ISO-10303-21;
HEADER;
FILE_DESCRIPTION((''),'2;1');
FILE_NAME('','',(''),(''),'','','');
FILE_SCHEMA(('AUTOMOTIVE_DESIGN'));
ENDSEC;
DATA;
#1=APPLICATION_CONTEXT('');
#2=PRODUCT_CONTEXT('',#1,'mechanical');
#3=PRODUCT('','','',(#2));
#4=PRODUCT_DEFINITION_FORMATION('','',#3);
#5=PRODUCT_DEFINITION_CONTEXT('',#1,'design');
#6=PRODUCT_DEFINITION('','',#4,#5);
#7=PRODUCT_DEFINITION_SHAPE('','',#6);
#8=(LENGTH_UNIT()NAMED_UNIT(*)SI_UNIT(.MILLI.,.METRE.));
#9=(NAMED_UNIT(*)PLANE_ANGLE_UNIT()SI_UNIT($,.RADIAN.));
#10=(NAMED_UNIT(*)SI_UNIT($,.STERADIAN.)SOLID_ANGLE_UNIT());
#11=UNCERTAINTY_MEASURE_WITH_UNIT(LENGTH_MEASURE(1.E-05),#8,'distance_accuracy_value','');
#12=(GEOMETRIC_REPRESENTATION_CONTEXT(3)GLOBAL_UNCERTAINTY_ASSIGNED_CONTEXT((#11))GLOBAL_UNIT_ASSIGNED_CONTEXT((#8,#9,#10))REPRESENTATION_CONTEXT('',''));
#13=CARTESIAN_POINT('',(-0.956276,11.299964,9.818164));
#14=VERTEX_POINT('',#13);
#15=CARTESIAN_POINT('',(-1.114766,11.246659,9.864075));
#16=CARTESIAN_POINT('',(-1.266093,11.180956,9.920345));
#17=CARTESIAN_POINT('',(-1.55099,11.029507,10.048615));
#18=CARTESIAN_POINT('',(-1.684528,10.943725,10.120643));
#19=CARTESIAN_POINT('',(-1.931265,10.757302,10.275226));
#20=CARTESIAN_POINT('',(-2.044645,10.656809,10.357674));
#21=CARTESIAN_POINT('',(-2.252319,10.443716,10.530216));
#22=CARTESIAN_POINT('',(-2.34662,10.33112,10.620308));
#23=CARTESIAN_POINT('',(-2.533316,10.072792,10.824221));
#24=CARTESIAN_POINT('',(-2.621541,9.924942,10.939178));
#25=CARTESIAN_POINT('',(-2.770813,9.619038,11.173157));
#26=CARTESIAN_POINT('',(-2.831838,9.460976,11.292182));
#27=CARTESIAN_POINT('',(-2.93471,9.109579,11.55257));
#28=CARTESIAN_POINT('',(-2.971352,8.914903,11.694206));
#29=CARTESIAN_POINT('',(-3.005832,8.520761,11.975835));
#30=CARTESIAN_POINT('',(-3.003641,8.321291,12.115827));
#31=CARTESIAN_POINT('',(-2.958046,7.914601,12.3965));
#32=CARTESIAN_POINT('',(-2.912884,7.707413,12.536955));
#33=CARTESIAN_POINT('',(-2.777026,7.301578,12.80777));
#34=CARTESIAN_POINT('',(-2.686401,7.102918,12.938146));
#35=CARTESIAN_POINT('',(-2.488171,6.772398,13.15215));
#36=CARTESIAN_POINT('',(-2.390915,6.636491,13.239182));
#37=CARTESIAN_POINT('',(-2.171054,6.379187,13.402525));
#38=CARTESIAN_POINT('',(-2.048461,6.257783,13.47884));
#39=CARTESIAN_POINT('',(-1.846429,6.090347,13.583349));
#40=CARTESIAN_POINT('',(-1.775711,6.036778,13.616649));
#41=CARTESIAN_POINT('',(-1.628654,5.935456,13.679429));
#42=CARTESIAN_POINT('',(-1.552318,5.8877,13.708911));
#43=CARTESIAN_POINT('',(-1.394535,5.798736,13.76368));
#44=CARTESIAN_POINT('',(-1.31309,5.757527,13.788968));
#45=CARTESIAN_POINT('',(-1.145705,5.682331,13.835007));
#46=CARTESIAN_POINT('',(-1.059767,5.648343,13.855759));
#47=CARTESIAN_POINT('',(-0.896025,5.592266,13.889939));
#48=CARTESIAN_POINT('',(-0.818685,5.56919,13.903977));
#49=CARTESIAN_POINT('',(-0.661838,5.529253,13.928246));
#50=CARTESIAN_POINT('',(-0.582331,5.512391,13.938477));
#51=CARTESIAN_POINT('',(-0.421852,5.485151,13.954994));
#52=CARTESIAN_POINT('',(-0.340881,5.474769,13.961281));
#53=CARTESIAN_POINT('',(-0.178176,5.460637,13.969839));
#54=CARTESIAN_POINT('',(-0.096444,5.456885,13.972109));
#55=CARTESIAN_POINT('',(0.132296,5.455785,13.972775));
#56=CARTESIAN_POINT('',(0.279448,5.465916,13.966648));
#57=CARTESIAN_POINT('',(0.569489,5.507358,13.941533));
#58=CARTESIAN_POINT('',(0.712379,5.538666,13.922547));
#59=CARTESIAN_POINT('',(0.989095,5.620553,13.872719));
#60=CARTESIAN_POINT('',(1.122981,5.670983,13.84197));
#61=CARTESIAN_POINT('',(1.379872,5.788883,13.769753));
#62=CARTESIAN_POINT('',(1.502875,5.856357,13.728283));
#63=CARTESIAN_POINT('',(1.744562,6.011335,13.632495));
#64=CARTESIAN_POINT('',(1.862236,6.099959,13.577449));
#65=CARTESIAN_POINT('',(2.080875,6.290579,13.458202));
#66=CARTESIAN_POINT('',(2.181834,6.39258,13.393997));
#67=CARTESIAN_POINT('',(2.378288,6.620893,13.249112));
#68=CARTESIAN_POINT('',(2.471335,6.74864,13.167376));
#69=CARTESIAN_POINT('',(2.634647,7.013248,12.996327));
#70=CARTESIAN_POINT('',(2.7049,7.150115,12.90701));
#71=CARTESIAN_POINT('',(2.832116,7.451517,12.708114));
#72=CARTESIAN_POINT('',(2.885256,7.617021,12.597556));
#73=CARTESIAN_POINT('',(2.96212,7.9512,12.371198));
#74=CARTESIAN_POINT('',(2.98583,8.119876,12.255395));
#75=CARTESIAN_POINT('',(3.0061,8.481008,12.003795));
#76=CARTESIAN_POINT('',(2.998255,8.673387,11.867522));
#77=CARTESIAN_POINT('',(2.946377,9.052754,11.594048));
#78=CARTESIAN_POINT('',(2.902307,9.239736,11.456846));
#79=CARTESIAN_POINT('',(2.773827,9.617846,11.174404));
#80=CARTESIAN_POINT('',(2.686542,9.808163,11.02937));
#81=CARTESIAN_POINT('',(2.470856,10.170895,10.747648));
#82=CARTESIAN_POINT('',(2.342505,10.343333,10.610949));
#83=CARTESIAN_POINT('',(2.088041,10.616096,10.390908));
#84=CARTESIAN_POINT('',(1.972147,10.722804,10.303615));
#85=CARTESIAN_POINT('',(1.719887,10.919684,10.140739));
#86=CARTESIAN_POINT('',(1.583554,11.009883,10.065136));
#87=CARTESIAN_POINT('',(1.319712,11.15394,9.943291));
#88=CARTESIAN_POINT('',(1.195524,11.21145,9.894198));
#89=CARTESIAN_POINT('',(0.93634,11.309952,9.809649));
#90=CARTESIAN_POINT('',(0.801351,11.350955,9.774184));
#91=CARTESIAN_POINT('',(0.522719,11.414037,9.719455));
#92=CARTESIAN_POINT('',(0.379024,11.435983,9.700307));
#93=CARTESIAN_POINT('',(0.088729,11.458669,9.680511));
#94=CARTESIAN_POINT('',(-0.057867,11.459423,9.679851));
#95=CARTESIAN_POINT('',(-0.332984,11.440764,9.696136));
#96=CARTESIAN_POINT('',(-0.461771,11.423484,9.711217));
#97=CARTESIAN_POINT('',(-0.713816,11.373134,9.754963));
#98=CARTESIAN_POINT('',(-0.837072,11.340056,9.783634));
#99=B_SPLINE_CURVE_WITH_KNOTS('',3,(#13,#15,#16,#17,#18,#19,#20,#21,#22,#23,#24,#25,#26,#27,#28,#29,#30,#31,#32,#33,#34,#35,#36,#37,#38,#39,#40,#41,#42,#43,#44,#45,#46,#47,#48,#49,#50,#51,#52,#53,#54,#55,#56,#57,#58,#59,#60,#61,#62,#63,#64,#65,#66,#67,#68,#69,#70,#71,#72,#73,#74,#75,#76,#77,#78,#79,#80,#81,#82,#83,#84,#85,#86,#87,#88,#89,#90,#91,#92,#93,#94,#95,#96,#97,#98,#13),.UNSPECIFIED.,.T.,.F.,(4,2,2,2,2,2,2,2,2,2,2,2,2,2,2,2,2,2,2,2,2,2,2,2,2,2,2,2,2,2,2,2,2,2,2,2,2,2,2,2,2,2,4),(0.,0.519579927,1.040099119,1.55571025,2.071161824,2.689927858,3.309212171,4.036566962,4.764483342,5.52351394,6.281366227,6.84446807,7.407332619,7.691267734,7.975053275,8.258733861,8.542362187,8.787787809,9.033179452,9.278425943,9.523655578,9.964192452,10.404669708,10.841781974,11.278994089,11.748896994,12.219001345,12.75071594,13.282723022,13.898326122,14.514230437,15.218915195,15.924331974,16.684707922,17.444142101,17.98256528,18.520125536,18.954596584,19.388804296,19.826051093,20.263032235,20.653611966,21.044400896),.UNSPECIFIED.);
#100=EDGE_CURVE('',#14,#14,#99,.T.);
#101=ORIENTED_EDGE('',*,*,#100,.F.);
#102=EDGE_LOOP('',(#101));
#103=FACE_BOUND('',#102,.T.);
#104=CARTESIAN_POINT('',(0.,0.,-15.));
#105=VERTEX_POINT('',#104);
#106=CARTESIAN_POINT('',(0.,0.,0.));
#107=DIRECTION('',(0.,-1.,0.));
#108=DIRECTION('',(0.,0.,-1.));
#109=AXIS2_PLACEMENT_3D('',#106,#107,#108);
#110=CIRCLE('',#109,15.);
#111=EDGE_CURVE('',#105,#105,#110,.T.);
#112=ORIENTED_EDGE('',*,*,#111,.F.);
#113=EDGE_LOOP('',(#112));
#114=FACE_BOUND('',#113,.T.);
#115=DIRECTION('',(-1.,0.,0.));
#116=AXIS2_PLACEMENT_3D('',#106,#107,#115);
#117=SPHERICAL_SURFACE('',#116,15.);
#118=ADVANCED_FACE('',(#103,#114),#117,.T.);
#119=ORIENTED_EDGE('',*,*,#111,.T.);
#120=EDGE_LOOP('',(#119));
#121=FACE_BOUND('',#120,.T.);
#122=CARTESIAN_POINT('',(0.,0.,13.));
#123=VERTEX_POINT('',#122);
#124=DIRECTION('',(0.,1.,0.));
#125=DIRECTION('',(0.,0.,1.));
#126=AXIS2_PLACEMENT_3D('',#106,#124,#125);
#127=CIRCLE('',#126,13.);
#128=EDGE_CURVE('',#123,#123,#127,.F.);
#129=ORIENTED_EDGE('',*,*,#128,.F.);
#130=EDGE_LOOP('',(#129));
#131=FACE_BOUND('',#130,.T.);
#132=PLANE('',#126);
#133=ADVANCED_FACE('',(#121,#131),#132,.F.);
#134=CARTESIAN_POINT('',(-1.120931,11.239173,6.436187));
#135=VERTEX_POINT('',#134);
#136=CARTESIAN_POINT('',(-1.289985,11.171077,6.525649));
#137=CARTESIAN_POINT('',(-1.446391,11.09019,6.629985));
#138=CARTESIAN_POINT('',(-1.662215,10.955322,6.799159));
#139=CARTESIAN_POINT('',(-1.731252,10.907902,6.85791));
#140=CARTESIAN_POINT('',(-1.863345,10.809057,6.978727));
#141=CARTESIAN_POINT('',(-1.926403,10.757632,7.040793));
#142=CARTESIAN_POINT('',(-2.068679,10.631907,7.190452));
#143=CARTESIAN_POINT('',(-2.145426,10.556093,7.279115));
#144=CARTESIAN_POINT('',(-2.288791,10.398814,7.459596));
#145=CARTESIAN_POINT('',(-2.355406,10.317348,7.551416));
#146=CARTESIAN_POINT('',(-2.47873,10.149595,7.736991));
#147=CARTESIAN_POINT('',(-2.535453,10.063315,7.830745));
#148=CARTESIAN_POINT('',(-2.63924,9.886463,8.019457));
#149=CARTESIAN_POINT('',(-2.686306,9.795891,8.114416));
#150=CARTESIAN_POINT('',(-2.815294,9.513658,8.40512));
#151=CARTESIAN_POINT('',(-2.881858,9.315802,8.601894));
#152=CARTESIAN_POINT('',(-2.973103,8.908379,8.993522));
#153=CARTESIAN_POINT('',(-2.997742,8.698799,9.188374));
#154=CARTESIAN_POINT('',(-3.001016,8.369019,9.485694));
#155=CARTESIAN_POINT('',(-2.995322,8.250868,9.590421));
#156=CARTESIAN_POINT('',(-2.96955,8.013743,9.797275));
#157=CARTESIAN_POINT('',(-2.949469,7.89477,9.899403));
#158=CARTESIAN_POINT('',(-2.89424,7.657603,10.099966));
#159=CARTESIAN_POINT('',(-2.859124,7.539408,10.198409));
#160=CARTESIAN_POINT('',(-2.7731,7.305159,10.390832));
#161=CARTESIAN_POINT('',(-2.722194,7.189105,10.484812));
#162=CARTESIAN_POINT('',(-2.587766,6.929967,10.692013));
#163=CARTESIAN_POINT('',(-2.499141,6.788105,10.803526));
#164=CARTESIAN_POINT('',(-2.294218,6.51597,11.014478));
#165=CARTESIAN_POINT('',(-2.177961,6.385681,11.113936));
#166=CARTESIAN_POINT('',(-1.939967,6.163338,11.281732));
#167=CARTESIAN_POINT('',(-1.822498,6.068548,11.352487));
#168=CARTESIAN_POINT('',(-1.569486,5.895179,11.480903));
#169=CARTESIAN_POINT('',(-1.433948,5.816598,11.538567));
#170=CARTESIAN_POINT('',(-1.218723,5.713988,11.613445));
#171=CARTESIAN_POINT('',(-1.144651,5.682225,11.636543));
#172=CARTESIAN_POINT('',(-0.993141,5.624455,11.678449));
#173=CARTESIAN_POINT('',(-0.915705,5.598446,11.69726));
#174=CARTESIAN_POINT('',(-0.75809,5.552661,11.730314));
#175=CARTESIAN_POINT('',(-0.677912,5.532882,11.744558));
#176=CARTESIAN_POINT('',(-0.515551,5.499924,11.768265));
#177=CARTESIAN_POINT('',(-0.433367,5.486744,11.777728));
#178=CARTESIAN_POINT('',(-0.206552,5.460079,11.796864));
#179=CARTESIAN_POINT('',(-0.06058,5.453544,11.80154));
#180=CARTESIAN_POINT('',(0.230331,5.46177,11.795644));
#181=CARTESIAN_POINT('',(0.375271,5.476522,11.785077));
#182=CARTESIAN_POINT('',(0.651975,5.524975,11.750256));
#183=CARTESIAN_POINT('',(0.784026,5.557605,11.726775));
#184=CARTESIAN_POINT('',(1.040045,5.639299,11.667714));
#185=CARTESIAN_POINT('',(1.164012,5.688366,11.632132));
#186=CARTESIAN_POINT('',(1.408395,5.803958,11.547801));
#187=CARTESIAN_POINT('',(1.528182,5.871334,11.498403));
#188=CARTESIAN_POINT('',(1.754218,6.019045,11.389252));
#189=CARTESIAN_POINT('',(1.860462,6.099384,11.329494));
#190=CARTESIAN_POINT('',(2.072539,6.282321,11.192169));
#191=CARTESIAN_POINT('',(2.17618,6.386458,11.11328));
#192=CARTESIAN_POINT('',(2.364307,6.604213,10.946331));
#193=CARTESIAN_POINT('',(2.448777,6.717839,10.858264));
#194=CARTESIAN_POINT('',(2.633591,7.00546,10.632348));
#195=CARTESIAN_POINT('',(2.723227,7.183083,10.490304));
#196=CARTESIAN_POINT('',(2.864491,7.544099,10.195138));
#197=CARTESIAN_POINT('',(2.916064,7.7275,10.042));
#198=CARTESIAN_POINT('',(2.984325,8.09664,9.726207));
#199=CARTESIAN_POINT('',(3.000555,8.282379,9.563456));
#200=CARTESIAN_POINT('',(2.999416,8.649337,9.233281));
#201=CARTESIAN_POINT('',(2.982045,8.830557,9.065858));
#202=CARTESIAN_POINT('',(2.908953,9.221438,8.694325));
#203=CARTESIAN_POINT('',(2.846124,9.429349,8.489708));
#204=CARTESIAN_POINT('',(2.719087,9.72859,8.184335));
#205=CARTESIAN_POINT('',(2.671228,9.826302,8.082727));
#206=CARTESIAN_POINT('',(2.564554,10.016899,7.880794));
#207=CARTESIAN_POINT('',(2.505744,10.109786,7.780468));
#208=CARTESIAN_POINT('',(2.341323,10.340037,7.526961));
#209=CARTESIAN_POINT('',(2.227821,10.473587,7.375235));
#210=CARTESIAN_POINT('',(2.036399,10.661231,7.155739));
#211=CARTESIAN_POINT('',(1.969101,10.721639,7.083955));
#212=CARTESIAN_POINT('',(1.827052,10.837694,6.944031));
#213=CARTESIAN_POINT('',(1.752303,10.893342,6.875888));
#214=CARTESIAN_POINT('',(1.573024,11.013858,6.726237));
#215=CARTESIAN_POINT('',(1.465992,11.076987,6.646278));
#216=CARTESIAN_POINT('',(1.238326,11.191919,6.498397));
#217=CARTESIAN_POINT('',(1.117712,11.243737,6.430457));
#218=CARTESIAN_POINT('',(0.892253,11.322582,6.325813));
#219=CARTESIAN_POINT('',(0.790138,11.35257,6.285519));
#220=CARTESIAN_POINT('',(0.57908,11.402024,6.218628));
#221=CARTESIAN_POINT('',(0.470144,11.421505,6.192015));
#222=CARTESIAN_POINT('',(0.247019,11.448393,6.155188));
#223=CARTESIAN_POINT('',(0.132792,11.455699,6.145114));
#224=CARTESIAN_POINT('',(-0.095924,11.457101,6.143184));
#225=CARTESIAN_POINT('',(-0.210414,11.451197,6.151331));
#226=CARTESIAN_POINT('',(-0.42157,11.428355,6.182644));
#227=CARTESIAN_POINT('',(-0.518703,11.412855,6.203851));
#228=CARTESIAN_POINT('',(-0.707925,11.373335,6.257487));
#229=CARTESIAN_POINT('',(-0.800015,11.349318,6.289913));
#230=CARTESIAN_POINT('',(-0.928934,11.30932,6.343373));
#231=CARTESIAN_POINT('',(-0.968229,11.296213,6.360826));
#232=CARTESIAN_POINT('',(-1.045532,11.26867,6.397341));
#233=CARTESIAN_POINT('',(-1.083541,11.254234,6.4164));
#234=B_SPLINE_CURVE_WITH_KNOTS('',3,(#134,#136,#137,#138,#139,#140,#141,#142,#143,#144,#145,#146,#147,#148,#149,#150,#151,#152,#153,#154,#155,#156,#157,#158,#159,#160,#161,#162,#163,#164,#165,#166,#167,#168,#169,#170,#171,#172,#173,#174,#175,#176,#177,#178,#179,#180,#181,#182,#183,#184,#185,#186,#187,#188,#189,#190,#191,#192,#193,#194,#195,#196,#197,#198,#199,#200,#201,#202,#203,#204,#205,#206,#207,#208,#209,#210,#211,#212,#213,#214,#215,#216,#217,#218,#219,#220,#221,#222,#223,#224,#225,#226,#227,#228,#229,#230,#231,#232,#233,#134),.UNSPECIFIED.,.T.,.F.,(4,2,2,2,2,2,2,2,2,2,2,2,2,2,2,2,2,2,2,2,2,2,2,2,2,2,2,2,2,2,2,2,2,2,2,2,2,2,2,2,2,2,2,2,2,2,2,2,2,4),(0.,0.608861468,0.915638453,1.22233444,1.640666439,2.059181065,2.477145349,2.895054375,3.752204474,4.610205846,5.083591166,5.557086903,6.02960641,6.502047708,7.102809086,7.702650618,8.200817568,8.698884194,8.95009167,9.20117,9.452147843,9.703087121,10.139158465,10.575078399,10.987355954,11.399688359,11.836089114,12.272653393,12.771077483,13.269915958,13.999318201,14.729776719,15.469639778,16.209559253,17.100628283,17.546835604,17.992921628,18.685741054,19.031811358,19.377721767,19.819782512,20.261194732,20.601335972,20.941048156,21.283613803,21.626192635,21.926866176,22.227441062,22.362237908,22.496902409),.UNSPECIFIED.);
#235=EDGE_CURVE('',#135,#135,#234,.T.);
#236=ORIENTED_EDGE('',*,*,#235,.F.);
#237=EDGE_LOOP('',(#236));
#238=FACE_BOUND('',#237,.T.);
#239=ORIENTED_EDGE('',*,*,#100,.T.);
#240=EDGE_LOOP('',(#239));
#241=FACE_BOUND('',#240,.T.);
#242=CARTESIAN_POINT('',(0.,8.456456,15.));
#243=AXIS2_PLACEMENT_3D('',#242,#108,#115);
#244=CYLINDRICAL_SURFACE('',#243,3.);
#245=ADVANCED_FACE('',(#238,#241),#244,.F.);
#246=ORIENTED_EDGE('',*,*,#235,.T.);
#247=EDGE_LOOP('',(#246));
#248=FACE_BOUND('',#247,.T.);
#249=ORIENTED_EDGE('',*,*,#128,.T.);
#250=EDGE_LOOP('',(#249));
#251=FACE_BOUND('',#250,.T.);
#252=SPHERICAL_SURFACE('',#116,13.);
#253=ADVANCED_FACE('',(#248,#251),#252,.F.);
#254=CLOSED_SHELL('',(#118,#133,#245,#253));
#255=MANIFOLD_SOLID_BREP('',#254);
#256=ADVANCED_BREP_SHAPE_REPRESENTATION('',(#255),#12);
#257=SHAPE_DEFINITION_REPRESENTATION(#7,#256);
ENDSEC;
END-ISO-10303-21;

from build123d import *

# Parameters (mm, degrees)
VACIADO2_T            = -2
CROQUIS2_R            = 3
CORTAR_EXTRUIR1_DEPTH = 26.980762114


with BuildPart() as part:
    # Croquis1 → Revolución1 (revolve)
    with BuildSketch(Plane.XY):
        with BuildLine():
            Line((0, 0), (0, 15))
            ThreePointArc((0, 15), (-10.606601718, 10.606601718), (-15, 0))
            Line((-15, 0), (0, 0))
        make_face()
    revolve(axis=Axis((0, 0, 0), (0, 1, 0)))

    # Vaciado2
    vaciado2_openings = [part.faces().sort_by_distance(p)[0] for p in [
        (0, 0, 0),
    ]]
    offset(amount=VACIADO2_T, openings=vaciado2_openings, kind=Kind.INTERSECTION)

    # Croquis2 → Cortar-Extruir1 (cut, through all)
    with BuildSketch(Plane.XY):
        with Locations(Location((0, 8.456456299, 0), (0, 0, 111.940512479))):
            Circle(CROQUIS2_R)
    extrude(amount=CORTAR_EXTRUIR1_DEPTH, mode=Mode.SUBTRACT)


solid = part.part
